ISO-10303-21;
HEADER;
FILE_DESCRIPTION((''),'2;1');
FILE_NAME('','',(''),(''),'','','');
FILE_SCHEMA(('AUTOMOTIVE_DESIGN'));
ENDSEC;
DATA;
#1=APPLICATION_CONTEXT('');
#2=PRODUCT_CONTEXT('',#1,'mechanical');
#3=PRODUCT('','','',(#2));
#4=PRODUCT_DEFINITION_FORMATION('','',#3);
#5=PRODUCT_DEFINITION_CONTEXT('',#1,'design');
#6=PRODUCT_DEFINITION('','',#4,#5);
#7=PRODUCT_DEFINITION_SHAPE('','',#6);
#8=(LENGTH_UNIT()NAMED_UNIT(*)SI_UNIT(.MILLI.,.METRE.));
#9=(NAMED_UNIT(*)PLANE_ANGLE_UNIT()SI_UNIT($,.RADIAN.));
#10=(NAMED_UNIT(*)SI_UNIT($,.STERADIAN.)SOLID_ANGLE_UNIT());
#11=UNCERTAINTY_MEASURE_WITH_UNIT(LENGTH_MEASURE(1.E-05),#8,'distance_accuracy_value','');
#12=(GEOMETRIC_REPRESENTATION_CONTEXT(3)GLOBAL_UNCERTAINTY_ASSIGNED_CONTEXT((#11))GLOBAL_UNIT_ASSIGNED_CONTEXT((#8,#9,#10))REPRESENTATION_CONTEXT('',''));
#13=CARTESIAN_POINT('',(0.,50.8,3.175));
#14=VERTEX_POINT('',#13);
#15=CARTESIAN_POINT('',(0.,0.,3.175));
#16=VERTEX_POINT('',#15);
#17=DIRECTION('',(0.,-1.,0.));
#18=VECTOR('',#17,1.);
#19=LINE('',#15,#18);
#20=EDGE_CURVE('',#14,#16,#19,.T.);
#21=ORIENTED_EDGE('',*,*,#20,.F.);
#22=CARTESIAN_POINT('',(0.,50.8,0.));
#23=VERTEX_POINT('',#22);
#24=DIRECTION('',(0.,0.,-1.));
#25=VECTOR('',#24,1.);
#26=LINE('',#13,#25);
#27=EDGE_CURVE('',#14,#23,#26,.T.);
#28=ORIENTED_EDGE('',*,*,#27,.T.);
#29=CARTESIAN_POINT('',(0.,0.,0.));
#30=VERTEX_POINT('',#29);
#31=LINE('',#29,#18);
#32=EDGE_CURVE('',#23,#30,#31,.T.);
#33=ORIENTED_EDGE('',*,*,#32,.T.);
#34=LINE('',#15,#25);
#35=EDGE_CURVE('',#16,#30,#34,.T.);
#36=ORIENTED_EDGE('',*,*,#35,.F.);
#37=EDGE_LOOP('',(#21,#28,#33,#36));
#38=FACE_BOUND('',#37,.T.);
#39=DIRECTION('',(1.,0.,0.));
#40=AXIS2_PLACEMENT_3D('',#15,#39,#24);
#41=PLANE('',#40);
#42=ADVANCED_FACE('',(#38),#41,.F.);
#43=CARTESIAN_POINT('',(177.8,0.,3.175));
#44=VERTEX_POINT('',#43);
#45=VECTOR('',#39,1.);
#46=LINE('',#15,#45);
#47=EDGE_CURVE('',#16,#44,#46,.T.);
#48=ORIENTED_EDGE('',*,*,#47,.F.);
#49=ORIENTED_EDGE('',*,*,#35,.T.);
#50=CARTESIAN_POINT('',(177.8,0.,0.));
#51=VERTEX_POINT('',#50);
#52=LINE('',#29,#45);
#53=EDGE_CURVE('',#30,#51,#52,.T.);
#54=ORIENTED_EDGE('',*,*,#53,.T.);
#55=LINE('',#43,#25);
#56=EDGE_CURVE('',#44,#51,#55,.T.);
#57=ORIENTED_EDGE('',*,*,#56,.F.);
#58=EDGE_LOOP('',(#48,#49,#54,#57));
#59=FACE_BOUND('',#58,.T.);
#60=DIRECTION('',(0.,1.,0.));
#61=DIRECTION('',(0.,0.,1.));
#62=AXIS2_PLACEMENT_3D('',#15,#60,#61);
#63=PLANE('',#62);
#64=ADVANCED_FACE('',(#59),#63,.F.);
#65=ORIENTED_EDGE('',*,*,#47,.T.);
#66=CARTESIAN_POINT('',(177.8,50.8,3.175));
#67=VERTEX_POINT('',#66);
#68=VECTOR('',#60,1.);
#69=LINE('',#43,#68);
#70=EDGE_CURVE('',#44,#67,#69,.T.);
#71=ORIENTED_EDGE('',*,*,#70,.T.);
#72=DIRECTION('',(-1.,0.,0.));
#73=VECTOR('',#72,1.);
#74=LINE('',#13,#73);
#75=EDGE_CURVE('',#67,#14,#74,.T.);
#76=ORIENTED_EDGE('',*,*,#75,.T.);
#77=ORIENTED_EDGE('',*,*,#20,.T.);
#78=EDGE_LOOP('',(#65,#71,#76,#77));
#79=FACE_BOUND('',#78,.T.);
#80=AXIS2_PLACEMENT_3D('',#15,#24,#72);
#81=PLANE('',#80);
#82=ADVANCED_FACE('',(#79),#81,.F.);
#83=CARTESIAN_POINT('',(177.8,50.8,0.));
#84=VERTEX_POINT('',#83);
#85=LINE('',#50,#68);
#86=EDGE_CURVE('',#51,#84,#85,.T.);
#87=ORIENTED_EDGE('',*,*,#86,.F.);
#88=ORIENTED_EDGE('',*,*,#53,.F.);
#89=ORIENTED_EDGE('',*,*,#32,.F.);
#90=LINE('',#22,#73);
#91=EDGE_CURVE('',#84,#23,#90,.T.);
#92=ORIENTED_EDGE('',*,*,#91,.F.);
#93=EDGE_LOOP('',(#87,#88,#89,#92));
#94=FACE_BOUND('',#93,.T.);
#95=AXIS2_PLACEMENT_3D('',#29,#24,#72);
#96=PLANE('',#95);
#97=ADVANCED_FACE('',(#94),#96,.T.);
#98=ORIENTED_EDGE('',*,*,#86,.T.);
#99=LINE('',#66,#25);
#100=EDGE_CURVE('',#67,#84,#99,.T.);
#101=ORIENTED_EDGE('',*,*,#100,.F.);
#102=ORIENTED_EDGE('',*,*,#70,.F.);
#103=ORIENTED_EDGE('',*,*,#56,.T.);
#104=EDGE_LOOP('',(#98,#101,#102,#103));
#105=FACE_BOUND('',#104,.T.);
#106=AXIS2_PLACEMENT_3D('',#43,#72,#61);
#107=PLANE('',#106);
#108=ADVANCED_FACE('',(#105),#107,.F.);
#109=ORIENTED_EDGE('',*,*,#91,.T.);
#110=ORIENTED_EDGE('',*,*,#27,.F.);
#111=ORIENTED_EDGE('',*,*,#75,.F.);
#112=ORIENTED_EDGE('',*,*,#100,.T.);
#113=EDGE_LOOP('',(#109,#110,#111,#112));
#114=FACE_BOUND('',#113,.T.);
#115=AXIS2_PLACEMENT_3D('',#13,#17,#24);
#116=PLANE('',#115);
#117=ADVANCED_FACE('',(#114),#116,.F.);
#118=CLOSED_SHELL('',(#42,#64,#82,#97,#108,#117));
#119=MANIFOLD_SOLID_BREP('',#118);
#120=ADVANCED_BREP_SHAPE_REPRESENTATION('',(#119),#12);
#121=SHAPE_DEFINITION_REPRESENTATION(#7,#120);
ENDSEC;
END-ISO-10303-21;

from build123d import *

# Parameters (mm, degrees)
SKETCH1_W           = 177.8
SKETCH1_H           = 50.8
BOSS_EXTRUDE1_DEPTH = 3.175


with BuildPart() as part:
    # Sketch1 → Boss-Extrude1 (new body)
    with BuildSketch(Plane.XY):
        with Locations((88.9, 25.4)):
            Rectangle(SKETCH1_W, SKETCH1_H)
    extrude(amount=BOSS_EXTRUDE1_DEPTH)


solid = part.part
